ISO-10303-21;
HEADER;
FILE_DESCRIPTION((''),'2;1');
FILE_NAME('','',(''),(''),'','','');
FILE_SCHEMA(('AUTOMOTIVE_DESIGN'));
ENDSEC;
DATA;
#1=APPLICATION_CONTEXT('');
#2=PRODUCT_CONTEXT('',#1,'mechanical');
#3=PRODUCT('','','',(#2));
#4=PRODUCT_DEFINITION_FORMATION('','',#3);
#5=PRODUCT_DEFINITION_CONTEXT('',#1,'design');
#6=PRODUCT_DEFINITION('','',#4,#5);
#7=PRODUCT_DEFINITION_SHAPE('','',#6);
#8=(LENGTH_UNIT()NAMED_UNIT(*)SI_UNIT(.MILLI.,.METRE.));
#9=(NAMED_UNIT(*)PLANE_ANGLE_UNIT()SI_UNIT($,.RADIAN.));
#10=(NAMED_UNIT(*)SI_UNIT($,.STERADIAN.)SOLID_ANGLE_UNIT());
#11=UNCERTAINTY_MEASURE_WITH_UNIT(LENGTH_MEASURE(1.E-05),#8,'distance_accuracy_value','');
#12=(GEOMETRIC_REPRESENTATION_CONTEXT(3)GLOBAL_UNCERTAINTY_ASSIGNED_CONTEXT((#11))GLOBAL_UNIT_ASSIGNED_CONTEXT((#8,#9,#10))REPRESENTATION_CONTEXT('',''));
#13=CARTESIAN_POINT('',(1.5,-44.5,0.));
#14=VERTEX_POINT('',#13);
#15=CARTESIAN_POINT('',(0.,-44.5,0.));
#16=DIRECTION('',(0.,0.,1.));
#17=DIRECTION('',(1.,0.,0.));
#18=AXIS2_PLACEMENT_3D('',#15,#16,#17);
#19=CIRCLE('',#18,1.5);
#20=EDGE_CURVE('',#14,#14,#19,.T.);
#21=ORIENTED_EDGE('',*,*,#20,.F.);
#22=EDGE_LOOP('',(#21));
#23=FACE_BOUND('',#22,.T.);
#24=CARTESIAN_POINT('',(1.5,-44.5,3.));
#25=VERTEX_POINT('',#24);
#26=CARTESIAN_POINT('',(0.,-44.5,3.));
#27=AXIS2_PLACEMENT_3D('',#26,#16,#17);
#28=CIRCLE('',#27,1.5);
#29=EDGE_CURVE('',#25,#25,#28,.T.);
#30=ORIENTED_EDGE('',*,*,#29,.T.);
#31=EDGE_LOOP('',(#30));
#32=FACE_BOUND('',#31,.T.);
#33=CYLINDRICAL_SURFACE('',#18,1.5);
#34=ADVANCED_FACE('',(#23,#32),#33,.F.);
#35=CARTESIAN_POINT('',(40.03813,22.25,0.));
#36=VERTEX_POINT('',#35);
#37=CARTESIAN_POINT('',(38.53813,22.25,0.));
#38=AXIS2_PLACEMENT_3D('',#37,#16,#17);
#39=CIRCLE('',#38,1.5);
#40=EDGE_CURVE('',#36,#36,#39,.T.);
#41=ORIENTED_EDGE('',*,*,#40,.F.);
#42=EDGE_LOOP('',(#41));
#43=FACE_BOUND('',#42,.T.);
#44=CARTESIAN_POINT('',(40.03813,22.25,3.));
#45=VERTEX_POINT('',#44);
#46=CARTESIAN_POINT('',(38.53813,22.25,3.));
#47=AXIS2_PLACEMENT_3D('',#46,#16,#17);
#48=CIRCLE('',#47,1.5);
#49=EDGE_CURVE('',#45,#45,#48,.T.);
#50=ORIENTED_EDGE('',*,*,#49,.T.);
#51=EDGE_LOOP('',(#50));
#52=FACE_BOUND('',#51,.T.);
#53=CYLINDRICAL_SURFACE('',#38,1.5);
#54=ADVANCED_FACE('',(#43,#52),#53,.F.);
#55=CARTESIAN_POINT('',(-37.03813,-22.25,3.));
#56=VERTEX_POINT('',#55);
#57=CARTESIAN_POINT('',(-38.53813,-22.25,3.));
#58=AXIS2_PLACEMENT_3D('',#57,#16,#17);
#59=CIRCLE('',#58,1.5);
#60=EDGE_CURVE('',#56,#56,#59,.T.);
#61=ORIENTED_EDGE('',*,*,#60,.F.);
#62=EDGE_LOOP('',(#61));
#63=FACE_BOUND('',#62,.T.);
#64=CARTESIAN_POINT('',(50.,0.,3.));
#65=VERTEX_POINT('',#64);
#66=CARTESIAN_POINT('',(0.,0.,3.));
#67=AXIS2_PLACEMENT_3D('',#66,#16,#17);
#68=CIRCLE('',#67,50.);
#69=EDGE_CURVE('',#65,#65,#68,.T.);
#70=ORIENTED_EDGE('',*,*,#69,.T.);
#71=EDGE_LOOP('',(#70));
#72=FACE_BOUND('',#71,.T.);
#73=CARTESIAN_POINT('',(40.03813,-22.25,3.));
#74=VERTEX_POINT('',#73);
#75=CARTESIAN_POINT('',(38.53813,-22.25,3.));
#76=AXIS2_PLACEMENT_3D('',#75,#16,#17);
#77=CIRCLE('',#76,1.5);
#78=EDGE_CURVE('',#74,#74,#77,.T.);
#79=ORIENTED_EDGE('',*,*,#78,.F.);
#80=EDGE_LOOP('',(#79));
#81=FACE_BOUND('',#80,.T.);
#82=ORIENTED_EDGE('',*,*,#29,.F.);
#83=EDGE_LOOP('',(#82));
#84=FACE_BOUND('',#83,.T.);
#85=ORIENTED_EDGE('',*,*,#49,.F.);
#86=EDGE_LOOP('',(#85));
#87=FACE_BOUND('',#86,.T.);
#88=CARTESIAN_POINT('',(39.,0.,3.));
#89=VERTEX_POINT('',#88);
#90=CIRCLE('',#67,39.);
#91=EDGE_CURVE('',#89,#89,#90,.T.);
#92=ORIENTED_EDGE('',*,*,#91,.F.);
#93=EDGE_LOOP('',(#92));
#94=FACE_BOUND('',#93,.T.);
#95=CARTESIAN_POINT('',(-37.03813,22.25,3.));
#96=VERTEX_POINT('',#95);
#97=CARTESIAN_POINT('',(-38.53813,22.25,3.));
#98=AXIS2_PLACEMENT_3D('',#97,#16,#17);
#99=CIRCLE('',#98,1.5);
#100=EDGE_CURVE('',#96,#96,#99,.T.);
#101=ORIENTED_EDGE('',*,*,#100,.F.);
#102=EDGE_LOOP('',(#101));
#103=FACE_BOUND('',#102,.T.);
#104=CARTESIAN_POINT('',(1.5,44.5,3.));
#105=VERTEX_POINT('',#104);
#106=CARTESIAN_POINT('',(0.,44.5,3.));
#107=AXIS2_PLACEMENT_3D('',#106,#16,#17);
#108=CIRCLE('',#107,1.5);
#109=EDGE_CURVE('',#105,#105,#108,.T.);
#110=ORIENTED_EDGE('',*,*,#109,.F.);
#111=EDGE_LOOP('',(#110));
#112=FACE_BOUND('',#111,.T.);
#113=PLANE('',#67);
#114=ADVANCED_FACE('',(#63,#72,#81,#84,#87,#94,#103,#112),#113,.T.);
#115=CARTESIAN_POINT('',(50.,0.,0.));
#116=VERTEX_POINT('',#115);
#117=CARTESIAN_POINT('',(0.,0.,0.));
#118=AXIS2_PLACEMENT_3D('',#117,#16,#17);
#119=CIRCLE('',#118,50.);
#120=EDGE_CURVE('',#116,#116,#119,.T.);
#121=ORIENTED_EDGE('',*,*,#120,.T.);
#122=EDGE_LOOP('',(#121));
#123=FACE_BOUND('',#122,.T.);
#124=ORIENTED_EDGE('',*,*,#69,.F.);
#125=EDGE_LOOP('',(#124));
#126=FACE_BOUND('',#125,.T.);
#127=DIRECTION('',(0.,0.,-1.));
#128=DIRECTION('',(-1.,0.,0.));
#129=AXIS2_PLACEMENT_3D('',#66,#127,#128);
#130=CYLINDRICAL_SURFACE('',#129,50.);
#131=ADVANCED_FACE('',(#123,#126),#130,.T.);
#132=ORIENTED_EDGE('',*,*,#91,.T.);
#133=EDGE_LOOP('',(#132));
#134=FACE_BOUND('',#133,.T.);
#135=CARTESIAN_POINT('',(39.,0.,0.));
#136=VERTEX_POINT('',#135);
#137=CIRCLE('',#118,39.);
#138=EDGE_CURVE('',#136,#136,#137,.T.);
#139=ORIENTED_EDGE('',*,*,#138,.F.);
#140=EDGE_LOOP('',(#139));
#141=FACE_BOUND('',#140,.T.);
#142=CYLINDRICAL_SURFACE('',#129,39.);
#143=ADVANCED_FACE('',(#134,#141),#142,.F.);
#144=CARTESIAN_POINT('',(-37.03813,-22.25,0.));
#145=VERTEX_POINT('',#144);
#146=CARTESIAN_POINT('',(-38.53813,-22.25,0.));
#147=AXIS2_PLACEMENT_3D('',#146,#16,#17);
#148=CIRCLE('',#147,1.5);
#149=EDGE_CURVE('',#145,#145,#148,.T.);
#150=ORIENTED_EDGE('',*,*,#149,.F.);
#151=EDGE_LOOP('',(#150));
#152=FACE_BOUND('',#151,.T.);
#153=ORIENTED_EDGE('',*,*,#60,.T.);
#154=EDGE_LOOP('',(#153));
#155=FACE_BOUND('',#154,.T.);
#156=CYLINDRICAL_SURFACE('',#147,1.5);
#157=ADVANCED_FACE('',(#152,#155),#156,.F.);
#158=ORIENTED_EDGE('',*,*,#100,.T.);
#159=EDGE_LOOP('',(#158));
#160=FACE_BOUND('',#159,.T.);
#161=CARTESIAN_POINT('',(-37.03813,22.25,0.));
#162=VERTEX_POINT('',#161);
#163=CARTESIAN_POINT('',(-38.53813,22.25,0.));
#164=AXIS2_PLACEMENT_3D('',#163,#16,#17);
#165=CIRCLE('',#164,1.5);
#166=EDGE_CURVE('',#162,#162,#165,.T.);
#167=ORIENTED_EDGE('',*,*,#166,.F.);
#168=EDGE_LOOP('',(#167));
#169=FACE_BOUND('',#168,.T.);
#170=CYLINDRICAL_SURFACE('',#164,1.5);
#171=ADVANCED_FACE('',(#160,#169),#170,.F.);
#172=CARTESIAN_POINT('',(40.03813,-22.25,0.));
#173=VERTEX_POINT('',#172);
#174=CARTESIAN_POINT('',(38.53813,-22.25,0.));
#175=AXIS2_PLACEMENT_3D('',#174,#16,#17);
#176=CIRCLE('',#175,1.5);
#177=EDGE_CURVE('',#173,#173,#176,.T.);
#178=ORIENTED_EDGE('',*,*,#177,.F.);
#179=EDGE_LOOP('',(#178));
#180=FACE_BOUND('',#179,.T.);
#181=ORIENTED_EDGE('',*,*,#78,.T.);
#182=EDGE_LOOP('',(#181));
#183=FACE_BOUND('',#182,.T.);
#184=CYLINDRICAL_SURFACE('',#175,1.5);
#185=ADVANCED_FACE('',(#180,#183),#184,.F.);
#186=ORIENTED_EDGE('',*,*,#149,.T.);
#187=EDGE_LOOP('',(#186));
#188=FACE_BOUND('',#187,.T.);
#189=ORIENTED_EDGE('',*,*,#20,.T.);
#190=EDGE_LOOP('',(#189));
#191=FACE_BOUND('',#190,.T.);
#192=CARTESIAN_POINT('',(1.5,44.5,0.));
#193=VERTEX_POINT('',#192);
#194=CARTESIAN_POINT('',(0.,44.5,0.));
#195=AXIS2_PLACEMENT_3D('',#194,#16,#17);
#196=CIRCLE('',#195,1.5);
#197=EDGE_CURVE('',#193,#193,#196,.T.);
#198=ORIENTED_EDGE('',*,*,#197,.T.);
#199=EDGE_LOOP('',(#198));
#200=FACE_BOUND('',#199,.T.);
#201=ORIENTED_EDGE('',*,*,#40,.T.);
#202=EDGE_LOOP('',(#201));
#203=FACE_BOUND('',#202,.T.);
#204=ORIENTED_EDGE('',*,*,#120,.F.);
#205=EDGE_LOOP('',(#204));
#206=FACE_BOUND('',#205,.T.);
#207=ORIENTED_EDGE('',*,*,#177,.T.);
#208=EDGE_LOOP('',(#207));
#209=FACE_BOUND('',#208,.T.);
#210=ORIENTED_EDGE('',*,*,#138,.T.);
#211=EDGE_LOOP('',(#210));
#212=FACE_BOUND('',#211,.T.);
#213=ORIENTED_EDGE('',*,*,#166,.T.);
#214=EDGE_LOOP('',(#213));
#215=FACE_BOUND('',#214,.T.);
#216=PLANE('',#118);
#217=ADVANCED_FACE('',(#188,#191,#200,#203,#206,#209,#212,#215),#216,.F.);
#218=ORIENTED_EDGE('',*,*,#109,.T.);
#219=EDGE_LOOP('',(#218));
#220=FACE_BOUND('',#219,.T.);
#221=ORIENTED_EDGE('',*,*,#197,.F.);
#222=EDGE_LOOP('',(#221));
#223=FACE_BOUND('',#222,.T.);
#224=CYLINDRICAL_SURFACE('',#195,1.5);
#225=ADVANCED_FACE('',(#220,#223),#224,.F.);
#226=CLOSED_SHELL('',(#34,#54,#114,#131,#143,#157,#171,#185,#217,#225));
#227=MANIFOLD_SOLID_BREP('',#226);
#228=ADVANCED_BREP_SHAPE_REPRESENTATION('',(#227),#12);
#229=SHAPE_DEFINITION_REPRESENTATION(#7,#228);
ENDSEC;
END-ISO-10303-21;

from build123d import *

# Parameters (mm, degrees)
SKETCH_1_R          = 50
SKETCH_1_R_2        = 39
EXTRUDE_1_DEPTH     = 3
SKETCH_2_R          = 1.5
CUT_EXTRUDE_1_DEPTH = 3


with BuildPart() as part:
    # 草图1 → 凸台-拉伸1 (new body)
    with BuildSketch(Plane.XY):
        Circle(SKETCH_1_R)
        Circle(SKETCH_1_R_2, mode=Mode.SUBTRACT)
    extrude(amount=EXTRUDE_1_DEPTH)

    # 草图2 → 切除-拉伸1 (cut)
    with BuildSketch(Plane.XY.offset(3)):
        with Locations((0, 44.5)):
            Circle(SKETCH_2_R)
        with Locations((38.538130468, 22.25)):
            Circle(SKETCH_2_R)
        with Locations((38.538130468, -22.25)):
            Circle(SKETCH_2_R)
        with Locations((0, -44.5)):
            Circle(SKETCH_2_R)
        with Locations((-38.538130468, -22.25)):
            Circle(SKETCH_2_R)
        with Locations((-38.538130468, 22.25)):
            Circle(SKETCH_2_R)
    extrude(amount=-CUT_EXTRUDE_1_DEPTH, mode=Mode.SUBTRACT)


solid = part.part
